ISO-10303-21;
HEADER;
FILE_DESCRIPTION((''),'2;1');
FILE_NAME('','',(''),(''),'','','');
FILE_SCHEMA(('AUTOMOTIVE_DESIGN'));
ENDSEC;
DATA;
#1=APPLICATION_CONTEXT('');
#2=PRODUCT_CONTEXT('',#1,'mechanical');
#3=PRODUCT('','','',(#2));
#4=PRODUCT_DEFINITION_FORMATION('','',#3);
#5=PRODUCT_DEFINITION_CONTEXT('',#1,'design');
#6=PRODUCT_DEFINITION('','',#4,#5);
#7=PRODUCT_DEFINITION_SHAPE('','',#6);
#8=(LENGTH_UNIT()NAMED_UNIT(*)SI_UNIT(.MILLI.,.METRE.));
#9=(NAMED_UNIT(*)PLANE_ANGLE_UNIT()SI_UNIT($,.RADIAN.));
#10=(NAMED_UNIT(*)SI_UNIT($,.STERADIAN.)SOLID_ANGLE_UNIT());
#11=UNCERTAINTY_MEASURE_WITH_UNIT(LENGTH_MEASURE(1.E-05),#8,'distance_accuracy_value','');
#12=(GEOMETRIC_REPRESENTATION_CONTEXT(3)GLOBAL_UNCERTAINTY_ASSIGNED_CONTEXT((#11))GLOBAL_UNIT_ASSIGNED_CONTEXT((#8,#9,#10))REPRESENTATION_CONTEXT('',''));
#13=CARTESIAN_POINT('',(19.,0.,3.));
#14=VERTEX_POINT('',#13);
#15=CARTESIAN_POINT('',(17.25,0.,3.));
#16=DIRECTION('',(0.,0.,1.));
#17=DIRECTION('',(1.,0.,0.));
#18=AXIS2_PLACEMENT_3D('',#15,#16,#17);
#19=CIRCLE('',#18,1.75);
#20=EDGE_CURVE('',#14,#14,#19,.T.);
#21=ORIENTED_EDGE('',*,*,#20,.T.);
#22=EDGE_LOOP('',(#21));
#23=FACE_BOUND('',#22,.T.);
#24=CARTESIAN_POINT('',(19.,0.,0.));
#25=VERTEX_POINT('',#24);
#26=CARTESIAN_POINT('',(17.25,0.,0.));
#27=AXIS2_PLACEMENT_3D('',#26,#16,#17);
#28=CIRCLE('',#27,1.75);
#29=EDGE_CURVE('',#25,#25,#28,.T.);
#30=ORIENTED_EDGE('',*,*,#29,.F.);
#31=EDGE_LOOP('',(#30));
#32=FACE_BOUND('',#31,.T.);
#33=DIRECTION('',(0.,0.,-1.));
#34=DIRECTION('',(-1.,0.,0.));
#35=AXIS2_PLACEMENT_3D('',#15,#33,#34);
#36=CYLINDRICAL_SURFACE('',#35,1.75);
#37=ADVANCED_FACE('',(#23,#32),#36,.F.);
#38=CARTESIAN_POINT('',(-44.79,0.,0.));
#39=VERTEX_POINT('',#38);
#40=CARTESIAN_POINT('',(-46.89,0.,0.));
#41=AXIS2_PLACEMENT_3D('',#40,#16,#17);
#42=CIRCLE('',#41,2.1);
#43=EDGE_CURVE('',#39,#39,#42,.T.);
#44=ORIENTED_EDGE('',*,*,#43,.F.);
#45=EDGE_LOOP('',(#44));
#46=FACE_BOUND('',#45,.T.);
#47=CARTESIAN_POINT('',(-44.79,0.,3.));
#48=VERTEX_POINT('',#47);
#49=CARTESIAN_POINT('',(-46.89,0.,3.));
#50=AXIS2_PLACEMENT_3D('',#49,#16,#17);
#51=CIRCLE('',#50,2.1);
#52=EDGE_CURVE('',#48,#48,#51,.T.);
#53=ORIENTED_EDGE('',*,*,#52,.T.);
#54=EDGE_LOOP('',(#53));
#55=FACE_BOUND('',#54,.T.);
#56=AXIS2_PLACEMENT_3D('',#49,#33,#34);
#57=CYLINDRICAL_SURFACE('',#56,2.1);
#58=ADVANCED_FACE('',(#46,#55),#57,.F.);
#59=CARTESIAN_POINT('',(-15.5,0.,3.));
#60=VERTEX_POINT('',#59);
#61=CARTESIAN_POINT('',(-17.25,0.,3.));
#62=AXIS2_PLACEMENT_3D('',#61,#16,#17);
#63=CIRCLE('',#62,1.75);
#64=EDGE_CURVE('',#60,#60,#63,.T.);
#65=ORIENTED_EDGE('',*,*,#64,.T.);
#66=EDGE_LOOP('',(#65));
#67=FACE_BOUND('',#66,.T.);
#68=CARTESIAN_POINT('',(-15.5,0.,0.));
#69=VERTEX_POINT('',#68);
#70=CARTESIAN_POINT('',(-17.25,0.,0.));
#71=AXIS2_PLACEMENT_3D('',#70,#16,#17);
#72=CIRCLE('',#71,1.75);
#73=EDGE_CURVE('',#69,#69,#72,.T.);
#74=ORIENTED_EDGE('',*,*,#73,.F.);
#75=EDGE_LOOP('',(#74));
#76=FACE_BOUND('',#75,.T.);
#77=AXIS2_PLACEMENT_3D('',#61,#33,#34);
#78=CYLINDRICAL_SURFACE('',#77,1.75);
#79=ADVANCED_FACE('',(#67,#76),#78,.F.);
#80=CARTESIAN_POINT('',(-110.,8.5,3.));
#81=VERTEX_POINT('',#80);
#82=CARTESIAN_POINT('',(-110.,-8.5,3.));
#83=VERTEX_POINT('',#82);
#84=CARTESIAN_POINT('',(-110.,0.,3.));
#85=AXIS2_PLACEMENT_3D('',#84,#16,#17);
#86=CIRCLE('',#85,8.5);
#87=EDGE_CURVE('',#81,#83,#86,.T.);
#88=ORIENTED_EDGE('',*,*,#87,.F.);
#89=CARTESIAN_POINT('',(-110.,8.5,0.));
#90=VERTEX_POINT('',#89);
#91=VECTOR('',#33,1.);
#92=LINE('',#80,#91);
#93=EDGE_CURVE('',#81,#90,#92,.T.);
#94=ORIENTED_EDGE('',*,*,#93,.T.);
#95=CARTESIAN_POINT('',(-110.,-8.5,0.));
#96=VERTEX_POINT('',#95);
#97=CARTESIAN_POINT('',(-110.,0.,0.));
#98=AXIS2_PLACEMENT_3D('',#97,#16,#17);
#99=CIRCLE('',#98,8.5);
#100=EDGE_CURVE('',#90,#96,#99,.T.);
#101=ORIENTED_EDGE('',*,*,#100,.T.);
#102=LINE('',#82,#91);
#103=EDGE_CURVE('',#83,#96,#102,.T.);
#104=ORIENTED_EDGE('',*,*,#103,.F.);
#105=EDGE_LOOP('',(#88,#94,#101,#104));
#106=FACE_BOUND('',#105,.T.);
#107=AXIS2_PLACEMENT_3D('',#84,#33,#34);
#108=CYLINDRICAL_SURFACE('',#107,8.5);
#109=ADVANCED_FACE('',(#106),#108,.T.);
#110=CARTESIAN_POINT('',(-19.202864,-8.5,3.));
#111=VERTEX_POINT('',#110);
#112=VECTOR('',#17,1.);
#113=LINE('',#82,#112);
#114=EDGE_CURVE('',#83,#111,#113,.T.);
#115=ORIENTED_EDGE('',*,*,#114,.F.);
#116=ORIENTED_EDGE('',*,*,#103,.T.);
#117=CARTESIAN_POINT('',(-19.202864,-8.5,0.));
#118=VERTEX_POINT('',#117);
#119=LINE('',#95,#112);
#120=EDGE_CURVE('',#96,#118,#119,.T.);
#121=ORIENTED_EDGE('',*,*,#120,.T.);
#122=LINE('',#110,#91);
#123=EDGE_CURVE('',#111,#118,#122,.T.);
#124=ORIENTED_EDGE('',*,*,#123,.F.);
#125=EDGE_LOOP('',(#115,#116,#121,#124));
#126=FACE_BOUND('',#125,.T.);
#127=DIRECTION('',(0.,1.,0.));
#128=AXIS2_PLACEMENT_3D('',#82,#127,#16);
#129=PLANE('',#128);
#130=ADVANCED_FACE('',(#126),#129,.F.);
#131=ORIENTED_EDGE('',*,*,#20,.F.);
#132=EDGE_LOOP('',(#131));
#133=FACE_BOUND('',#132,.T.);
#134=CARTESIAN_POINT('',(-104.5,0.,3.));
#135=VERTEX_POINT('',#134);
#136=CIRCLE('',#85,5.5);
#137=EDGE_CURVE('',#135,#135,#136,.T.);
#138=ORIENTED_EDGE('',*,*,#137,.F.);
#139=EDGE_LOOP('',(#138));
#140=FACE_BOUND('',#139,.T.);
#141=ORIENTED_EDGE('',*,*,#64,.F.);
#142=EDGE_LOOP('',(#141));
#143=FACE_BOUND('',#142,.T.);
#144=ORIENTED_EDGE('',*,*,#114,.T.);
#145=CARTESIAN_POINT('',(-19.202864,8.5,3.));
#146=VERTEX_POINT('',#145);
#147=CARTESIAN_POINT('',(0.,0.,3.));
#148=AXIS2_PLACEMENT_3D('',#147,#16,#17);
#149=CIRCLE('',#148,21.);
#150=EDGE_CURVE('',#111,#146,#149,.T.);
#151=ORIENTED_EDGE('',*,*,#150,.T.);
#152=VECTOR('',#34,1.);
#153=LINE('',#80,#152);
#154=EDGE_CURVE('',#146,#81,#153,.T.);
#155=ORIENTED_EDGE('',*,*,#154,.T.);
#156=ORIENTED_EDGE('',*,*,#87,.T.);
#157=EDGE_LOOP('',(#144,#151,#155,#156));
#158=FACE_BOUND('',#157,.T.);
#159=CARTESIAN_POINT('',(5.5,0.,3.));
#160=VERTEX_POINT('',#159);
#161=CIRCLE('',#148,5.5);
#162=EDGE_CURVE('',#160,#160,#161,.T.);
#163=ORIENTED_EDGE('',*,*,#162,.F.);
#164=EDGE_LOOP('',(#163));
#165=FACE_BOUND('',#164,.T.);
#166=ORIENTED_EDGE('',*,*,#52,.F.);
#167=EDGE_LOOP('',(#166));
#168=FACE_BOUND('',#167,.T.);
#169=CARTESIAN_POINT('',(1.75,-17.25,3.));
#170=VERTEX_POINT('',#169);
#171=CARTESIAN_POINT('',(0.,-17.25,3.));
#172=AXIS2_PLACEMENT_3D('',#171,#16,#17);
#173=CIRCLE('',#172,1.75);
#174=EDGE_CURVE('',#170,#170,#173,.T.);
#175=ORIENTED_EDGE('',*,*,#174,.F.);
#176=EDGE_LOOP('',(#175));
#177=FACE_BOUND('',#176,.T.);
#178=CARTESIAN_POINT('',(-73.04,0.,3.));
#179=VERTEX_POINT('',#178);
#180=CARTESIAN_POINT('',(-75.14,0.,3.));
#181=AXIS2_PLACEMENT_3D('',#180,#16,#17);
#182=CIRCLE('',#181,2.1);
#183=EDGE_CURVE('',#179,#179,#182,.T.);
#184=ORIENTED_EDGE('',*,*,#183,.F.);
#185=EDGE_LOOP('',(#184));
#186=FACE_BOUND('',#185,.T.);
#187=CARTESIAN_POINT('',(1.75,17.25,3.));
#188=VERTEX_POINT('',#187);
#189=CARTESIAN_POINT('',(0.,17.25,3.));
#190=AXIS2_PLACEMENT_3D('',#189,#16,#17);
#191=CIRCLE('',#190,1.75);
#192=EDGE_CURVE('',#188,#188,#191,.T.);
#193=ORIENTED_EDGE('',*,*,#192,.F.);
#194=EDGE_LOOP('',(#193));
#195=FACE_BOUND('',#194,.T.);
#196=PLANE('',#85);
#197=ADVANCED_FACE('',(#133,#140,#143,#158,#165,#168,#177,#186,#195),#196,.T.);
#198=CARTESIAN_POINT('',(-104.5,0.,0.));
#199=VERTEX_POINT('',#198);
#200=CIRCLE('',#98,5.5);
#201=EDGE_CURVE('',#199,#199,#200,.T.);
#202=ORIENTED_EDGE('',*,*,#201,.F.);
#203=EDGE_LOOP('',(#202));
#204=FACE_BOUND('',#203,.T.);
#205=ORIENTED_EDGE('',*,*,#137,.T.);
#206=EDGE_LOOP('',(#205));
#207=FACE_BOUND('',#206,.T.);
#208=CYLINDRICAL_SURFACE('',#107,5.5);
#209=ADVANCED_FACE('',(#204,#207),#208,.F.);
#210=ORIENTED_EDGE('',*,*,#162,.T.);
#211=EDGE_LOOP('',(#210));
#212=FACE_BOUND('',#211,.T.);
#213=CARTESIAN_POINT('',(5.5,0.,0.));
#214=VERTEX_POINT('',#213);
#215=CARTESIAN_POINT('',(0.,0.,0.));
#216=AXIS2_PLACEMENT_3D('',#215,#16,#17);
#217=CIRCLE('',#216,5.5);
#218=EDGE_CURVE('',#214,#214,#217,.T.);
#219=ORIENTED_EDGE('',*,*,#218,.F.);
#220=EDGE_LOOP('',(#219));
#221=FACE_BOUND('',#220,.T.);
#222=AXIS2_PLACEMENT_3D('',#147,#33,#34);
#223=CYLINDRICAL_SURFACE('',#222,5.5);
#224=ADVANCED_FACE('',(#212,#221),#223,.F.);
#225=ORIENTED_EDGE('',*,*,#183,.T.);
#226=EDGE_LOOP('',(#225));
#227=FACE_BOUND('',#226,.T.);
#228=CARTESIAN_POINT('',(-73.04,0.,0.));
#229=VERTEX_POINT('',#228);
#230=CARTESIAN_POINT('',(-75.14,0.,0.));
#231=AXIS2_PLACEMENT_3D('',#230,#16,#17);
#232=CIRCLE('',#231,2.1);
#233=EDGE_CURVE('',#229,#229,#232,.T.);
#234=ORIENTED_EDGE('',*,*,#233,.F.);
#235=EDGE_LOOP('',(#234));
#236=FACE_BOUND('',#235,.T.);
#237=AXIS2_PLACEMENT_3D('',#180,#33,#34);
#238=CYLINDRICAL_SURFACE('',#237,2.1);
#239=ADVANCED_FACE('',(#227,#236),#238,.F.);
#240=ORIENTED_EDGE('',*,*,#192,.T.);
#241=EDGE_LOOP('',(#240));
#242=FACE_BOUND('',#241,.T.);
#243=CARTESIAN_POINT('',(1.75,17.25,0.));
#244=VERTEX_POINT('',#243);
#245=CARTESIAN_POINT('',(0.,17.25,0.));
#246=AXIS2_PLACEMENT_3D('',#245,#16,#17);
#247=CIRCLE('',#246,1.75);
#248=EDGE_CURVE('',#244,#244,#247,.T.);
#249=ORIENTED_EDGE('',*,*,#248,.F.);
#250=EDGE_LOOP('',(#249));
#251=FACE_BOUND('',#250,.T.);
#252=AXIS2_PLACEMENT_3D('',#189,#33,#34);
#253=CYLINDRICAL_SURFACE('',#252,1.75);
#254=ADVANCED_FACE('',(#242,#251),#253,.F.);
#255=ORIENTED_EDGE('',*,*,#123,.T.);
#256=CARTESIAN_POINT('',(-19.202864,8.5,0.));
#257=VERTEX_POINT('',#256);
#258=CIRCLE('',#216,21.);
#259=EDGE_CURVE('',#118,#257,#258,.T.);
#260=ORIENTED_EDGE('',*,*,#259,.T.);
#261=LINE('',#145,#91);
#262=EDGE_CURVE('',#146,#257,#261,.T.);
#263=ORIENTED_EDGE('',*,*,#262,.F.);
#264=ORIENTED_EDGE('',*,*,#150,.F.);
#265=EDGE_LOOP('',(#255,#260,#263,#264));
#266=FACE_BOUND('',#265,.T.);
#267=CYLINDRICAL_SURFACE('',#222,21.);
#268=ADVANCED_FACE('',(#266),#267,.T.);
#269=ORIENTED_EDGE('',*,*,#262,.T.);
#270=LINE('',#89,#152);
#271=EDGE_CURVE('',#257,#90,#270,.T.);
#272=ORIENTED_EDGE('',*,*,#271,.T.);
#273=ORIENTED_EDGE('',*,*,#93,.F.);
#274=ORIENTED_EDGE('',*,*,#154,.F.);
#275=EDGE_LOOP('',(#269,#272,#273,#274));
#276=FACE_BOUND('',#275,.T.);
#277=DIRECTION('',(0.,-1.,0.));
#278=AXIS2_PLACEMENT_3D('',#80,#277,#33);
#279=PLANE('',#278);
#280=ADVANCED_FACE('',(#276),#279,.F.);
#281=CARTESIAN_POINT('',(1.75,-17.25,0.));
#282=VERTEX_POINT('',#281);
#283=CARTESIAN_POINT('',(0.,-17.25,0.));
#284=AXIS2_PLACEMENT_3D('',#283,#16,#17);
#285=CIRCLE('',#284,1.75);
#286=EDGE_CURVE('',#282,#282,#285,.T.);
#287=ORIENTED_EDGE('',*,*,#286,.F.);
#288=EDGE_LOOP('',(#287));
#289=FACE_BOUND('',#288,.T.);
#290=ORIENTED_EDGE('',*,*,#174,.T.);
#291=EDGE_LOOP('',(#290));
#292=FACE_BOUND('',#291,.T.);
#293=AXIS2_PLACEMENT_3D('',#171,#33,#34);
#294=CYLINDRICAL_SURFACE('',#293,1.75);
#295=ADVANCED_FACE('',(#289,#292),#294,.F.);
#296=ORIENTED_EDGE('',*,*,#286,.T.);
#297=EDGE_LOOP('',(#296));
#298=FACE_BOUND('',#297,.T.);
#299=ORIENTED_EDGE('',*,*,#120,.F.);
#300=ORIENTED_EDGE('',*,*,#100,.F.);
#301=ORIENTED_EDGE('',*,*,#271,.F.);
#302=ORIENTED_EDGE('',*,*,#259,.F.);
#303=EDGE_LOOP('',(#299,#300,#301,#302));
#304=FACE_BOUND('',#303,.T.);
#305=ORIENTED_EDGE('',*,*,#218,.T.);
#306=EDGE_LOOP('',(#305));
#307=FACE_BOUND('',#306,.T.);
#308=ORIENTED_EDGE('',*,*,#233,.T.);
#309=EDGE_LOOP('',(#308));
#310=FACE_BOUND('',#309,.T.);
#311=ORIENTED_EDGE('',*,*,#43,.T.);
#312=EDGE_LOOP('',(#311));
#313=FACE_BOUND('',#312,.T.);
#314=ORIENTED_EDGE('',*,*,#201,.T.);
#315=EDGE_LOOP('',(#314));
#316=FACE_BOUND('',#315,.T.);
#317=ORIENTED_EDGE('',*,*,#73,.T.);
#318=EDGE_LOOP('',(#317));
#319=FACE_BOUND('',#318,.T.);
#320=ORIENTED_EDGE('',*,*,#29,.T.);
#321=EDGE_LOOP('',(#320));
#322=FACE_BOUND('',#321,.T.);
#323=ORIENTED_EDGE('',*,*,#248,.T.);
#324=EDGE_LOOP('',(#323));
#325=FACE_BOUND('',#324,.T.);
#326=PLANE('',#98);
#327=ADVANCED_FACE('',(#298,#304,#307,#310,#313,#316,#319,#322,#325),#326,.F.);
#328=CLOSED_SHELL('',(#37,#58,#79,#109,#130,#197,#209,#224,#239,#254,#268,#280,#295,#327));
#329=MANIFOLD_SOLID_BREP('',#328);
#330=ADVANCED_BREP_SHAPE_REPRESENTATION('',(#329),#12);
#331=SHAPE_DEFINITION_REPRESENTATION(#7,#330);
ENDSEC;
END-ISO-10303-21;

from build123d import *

# Parameters (mm, degrees)
ESQUISSE1_R        = 5.5
ESQUISSE1_R_2      = 1.75
ESQUISSE1_R_3      = 2.1
BOSS_EXTRU_1_DEPTH = 3


with BuildPart() as part:
    # Esquisse1 → Boss.-Extru.1 (new body)
    with BuildSketch(Plane.XY):
        with BuildLine():
            Line((-110, 8.5), (-19.20286437, 8.5))
            ThreePointArc((-19.20286437, 8.5), (21, 0), (-19.20286437, -8.5))
            Line((-19.20286437, -8.5), (-110, -8.5))
            ThreePointArc((-110, -8.5), (-118.5, 0), (-110, 8.5))
        make_face()
        with Locations((-110, 0)):
            Circle(ESQUISSE1_R, mode=Mode.SUBTRACT)
        Circle(ESQUISSE1_R, mode=Mode.SUBTRACT)
        with Locations((0, 17.25)):
            Circle(ESQUISSE1_R_2, mode=Mode.SUBTRACT)
        with Locations((17.25, 0)):
            Circle(ESQUISSE1_R_2, mode=Mode.SUBTRACT)
        with Locations((0, -17.25)):
            Circle(ESQUISSE1_R_2, mode=Mode.SUBTRACT)
        with Locations((-17.25, 0)):
            Circle(ESQUISSE1_R_2, mode=Mode.SUBTRACT)
        with Locations((-75.14, 0)):
            Circle(ESQUISSE1_R_3, mode=Mode.SUBTRACT)
        with Locations((-46.89, 0)):
            Circle(ESQUISSE1_R_3, mode=Mode.SUBTRACT)
    extrude(amount=BOSS_EXTRU_1_DEPTH)


solid = part.part
